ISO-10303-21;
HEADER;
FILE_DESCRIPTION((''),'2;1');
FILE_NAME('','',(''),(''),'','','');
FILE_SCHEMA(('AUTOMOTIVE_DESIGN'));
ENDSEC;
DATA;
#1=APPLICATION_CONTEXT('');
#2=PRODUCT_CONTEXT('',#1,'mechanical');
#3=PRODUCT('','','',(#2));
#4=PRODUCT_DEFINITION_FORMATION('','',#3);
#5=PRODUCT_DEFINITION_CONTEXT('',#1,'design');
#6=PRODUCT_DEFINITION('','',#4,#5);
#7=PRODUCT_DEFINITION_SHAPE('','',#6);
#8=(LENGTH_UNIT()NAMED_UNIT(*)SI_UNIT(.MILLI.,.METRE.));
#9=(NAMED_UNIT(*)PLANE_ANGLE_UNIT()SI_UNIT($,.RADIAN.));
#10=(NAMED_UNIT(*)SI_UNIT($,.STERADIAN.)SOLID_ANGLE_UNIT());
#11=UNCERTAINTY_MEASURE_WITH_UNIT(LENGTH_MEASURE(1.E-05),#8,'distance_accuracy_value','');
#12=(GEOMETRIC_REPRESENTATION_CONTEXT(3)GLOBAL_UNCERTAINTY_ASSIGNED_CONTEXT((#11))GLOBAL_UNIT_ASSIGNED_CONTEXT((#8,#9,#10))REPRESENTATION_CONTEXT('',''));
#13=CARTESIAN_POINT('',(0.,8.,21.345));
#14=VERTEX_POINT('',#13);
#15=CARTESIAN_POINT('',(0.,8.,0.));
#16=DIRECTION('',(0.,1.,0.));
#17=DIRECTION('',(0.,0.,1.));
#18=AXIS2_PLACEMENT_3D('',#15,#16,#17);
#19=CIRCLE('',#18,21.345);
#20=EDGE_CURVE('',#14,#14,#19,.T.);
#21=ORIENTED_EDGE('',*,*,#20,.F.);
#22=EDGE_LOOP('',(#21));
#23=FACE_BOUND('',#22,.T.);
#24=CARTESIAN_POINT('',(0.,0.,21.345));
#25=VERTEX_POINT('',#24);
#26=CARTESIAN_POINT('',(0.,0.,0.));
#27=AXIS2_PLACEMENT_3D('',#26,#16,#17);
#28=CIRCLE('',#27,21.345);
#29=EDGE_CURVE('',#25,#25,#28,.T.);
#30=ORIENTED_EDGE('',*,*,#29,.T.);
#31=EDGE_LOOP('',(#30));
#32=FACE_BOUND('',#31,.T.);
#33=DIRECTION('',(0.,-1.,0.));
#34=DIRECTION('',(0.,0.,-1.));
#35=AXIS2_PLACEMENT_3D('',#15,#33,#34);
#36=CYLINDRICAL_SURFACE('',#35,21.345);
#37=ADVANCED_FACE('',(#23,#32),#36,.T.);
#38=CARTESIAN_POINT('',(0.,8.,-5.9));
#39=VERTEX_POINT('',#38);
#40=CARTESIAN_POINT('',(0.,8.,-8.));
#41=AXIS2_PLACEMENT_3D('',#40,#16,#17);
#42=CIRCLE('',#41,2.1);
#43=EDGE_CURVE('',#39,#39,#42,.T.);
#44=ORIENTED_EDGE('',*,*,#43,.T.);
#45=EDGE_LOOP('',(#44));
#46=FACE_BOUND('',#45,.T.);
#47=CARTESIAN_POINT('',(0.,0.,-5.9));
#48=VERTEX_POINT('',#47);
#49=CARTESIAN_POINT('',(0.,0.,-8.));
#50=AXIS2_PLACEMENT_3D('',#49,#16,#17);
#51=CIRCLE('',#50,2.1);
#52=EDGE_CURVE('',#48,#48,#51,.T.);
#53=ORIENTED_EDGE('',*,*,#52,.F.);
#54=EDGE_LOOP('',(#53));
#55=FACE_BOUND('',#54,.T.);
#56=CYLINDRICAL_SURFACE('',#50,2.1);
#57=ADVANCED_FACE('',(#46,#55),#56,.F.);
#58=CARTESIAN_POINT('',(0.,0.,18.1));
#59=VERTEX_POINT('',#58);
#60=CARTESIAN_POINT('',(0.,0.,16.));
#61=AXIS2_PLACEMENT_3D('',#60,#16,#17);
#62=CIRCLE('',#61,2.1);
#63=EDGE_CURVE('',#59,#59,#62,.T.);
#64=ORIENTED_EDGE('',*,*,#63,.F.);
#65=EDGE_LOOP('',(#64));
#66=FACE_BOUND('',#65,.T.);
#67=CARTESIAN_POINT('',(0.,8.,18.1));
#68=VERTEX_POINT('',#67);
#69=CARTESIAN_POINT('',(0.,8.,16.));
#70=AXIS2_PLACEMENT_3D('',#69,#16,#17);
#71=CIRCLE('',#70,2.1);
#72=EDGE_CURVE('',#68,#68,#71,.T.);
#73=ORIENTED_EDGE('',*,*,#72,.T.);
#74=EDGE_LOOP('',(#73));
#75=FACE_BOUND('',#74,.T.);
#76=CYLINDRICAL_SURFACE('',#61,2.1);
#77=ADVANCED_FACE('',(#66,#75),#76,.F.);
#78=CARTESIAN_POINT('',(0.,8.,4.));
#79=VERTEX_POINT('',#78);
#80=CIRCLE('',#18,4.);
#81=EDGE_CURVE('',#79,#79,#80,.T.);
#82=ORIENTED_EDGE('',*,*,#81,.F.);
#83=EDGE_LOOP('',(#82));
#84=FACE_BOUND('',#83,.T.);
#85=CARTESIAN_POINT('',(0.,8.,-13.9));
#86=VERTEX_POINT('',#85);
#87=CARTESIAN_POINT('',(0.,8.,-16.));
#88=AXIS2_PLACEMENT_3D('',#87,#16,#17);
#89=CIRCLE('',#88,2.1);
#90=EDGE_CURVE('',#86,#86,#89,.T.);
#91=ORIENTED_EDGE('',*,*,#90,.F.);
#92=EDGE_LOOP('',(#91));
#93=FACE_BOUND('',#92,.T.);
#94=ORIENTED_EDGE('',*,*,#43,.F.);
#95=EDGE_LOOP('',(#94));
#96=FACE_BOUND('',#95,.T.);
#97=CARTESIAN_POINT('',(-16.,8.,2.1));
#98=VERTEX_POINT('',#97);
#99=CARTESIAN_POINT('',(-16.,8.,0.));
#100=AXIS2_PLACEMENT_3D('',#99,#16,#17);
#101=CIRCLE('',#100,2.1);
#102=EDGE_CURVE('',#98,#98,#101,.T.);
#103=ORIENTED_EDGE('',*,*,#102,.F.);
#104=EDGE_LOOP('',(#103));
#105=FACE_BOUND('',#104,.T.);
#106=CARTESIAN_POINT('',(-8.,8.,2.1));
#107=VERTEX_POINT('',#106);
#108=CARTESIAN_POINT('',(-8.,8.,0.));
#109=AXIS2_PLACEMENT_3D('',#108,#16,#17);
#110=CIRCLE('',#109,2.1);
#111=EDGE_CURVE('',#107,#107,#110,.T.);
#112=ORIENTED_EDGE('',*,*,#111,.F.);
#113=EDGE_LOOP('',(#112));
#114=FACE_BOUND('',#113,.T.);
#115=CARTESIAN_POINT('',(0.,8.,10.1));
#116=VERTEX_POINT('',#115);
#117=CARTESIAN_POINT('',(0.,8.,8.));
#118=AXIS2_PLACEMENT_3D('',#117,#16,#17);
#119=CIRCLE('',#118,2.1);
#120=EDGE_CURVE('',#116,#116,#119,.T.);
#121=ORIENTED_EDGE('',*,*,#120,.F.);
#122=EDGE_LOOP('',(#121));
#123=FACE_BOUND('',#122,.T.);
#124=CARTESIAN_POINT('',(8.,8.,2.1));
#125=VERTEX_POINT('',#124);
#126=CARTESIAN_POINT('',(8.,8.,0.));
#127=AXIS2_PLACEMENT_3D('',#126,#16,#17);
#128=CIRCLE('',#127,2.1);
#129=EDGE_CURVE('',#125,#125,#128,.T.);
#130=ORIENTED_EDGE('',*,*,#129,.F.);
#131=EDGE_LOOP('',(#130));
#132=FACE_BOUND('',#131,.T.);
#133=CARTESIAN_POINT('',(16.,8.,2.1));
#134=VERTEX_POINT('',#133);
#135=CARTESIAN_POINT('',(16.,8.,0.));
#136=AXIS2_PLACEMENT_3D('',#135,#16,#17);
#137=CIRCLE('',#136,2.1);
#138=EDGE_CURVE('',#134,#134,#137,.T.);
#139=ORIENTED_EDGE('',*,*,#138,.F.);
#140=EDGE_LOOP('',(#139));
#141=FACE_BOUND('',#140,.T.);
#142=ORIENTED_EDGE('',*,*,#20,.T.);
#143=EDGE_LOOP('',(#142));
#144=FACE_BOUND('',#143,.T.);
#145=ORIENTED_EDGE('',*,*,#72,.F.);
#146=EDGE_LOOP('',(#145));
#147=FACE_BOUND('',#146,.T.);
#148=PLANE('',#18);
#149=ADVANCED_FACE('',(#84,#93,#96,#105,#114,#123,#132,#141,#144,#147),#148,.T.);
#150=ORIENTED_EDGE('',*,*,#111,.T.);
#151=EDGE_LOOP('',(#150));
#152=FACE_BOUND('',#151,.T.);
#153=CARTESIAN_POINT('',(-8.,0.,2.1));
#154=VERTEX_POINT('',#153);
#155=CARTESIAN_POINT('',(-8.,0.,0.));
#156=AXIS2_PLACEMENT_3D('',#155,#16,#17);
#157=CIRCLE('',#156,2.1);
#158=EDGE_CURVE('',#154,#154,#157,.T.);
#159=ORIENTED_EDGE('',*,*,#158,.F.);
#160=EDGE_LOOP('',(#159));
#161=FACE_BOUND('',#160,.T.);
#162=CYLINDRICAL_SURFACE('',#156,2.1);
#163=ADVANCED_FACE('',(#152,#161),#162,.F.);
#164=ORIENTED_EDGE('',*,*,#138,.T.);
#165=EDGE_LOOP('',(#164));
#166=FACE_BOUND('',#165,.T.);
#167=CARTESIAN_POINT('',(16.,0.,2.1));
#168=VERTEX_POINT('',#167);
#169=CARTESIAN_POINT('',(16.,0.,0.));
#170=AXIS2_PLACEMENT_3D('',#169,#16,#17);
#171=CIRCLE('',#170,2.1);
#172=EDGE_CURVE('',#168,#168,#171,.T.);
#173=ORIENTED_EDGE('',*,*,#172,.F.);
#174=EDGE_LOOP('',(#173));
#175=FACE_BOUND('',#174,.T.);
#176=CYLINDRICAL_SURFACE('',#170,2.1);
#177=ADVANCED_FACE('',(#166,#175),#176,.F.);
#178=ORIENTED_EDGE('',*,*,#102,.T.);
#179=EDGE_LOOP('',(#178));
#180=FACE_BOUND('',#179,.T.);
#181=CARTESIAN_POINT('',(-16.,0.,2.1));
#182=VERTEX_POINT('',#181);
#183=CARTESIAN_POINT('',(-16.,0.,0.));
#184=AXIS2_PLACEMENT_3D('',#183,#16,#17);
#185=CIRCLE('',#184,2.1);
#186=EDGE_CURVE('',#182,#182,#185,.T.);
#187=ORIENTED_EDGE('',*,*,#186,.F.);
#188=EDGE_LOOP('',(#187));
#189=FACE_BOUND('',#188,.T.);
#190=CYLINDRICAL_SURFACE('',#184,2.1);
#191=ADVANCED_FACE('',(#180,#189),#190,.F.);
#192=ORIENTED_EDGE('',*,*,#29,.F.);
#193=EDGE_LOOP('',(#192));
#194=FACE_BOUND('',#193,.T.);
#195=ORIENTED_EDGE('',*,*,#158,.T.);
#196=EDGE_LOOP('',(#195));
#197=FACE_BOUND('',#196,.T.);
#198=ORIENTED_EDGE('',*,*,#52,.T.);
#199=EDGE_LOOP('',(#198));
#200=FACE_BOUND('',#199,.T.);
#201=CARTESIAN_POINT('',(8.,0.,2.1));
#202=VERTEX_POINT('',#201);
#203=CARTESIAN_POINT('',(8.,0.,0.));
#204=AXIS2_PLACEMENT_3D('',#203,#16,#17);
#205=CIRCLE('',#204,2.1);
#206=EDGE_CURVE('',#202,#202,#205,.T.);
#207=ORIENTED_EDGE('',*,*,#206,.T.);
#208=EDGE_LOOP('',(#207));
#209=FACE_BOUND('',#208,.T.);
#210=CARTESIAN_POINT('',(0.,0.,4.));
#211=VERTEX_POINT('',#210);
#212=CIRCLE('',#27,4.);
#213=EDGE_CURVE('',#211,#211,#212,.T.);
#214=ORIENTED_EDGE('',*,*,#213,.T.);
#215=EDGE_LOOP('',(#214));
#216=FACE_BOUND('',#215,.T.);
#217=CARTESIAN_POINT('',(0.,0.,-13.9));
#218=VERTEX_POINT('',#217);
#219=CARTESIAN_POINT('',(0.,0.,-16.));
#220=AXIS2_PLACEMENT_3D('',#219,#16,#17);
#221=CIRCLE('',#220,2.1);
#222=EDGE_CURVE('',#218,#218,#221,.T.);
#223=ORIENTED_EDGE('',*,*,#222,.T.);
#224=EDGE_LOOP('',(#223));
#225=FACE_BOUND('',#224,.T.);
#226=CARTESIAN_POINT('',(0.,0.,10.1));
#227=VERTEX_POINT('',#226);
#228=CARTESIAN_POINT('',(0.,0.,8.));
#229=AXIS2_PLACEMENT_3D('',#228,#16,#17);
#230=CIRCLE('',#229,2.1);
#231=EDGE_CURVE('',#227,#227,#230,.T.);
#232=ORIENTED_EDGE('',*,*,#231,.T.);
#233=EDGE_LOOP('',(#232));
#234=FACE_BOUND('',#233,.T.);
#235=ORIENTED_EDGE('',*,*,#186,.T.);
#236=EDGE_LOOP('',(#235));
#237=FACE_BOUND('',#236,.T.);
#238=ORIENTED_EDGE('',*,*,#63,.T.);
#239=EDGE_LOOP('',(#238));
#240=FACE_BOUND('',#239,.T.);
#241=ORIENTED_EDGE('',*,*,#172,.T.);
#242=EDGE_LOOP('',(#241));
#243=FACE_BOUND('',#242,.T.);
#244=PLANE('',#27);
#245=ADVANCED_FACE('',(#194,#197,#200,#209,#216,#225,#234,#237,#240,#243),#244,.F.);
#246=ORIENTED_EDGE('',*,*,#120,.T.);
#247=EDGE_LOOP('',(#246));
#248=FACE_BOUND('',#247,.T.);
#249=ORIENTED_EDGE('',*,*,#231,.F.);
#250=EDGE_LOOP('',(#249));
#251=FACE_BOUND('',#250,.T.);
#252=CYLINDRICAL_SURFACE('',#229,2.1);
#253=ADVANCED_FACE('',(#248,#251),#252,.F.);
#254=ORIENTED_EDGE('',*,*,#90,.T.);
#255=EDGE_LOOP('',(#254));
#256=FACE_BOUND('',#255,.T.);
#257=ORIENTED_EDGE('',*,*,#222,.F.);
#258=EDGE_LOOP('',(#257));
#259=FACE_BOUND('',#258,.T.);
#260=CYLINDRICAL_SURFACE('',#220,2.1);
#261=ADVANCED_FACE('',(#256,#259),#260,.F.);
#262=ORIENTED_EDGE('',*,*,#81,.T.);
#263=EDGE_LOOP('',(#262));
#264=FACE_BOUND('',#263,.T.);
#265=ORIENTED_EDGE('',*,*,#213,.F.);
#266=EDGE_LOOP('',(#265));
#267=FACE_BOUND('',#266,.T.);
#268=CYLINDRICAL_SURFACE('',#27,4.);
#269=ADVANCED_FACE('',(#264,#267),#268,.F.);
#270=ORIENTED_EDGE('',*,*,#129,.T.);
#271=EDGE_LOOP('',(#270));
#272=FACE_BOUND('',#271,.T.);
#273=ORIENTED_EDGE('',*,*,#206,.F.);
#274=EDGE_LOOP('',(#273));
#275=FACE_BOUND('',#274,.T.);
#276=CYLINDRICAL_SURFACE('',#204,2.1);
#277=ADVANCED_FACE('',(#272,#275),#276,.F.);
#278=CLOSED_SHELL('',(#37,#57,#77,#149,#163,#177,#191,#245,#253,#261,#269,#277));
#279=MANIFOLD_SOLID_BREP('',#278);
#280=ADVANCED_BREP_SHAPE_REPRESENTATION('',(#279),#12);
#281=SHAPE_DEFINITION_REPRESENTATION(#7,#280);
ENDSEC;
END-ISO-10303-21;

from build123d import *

# Parameters (mm, degrees)
SKETCH_1_R          = 21.345
EXTRUDE_1_DEPTH     = 8
SKETCH_2_R          = 4
CUT_EXTRUDE_1_DEPTH = 8
SKETCH_3_R          = 2.1
CUT_EXTRUDE_2_DEPTH = 8


with BuildPart() as part:
    # 스케치1 → 보스-돌출1 (new body)
    with BuildSketch(Plane(origin=(0, 0, 0), x_dir=(1, 0, 0), z_dir=(0, 1, 0))):
        Circle(SKETCH_1_R)
    extrude(amount=EXTRUDE_1_DEPTH)

    # 스케치2 → 컷-돌출1 (cut)
    with BuildSketch(Plane(origin=(0, 8, 0), x_dir=(1, 0, 0), z_dir=(0, 1, 0))):
        Circle(SKETCH_2_R)
    extrude(amount=-CUT_EXTRUDE_1_DEPTH, mode=Mode.SUBTRACT)

    # 스케치3 → 컷-돌출2 (cut)
    with BuildSketch(Plane(origin=(0, 8, 0), x_dir=(1, 0, 0), z_dir=(0, 1, 0))):
        with Locations((0, 8)):
            Circle(SKETCH_3_R)
        with Locations((0, 16)):
            Circle(SKETCH_3_R)
        with Locations((16, 0)):
            Circle(SKETCH_3_R)
        with Locations((8, 0)):
            Circle(SKETCH_3_R)
        with Locations((-8, 0)):
            Circle(SKETCH_3_R)
        with Locations((-16, 0)):
            Circle(SKETCH_3_R)
        with Locations((0, -8)):
            Circle(SKETCH_3_R)
        with Locations((0, -16)):
            Circle(SKETCH_3_R)
    extrude(amount=-CUT_EXTRUDE_2_DEPTH, mode=Mode.SUBTRACT)


solid = part.part
